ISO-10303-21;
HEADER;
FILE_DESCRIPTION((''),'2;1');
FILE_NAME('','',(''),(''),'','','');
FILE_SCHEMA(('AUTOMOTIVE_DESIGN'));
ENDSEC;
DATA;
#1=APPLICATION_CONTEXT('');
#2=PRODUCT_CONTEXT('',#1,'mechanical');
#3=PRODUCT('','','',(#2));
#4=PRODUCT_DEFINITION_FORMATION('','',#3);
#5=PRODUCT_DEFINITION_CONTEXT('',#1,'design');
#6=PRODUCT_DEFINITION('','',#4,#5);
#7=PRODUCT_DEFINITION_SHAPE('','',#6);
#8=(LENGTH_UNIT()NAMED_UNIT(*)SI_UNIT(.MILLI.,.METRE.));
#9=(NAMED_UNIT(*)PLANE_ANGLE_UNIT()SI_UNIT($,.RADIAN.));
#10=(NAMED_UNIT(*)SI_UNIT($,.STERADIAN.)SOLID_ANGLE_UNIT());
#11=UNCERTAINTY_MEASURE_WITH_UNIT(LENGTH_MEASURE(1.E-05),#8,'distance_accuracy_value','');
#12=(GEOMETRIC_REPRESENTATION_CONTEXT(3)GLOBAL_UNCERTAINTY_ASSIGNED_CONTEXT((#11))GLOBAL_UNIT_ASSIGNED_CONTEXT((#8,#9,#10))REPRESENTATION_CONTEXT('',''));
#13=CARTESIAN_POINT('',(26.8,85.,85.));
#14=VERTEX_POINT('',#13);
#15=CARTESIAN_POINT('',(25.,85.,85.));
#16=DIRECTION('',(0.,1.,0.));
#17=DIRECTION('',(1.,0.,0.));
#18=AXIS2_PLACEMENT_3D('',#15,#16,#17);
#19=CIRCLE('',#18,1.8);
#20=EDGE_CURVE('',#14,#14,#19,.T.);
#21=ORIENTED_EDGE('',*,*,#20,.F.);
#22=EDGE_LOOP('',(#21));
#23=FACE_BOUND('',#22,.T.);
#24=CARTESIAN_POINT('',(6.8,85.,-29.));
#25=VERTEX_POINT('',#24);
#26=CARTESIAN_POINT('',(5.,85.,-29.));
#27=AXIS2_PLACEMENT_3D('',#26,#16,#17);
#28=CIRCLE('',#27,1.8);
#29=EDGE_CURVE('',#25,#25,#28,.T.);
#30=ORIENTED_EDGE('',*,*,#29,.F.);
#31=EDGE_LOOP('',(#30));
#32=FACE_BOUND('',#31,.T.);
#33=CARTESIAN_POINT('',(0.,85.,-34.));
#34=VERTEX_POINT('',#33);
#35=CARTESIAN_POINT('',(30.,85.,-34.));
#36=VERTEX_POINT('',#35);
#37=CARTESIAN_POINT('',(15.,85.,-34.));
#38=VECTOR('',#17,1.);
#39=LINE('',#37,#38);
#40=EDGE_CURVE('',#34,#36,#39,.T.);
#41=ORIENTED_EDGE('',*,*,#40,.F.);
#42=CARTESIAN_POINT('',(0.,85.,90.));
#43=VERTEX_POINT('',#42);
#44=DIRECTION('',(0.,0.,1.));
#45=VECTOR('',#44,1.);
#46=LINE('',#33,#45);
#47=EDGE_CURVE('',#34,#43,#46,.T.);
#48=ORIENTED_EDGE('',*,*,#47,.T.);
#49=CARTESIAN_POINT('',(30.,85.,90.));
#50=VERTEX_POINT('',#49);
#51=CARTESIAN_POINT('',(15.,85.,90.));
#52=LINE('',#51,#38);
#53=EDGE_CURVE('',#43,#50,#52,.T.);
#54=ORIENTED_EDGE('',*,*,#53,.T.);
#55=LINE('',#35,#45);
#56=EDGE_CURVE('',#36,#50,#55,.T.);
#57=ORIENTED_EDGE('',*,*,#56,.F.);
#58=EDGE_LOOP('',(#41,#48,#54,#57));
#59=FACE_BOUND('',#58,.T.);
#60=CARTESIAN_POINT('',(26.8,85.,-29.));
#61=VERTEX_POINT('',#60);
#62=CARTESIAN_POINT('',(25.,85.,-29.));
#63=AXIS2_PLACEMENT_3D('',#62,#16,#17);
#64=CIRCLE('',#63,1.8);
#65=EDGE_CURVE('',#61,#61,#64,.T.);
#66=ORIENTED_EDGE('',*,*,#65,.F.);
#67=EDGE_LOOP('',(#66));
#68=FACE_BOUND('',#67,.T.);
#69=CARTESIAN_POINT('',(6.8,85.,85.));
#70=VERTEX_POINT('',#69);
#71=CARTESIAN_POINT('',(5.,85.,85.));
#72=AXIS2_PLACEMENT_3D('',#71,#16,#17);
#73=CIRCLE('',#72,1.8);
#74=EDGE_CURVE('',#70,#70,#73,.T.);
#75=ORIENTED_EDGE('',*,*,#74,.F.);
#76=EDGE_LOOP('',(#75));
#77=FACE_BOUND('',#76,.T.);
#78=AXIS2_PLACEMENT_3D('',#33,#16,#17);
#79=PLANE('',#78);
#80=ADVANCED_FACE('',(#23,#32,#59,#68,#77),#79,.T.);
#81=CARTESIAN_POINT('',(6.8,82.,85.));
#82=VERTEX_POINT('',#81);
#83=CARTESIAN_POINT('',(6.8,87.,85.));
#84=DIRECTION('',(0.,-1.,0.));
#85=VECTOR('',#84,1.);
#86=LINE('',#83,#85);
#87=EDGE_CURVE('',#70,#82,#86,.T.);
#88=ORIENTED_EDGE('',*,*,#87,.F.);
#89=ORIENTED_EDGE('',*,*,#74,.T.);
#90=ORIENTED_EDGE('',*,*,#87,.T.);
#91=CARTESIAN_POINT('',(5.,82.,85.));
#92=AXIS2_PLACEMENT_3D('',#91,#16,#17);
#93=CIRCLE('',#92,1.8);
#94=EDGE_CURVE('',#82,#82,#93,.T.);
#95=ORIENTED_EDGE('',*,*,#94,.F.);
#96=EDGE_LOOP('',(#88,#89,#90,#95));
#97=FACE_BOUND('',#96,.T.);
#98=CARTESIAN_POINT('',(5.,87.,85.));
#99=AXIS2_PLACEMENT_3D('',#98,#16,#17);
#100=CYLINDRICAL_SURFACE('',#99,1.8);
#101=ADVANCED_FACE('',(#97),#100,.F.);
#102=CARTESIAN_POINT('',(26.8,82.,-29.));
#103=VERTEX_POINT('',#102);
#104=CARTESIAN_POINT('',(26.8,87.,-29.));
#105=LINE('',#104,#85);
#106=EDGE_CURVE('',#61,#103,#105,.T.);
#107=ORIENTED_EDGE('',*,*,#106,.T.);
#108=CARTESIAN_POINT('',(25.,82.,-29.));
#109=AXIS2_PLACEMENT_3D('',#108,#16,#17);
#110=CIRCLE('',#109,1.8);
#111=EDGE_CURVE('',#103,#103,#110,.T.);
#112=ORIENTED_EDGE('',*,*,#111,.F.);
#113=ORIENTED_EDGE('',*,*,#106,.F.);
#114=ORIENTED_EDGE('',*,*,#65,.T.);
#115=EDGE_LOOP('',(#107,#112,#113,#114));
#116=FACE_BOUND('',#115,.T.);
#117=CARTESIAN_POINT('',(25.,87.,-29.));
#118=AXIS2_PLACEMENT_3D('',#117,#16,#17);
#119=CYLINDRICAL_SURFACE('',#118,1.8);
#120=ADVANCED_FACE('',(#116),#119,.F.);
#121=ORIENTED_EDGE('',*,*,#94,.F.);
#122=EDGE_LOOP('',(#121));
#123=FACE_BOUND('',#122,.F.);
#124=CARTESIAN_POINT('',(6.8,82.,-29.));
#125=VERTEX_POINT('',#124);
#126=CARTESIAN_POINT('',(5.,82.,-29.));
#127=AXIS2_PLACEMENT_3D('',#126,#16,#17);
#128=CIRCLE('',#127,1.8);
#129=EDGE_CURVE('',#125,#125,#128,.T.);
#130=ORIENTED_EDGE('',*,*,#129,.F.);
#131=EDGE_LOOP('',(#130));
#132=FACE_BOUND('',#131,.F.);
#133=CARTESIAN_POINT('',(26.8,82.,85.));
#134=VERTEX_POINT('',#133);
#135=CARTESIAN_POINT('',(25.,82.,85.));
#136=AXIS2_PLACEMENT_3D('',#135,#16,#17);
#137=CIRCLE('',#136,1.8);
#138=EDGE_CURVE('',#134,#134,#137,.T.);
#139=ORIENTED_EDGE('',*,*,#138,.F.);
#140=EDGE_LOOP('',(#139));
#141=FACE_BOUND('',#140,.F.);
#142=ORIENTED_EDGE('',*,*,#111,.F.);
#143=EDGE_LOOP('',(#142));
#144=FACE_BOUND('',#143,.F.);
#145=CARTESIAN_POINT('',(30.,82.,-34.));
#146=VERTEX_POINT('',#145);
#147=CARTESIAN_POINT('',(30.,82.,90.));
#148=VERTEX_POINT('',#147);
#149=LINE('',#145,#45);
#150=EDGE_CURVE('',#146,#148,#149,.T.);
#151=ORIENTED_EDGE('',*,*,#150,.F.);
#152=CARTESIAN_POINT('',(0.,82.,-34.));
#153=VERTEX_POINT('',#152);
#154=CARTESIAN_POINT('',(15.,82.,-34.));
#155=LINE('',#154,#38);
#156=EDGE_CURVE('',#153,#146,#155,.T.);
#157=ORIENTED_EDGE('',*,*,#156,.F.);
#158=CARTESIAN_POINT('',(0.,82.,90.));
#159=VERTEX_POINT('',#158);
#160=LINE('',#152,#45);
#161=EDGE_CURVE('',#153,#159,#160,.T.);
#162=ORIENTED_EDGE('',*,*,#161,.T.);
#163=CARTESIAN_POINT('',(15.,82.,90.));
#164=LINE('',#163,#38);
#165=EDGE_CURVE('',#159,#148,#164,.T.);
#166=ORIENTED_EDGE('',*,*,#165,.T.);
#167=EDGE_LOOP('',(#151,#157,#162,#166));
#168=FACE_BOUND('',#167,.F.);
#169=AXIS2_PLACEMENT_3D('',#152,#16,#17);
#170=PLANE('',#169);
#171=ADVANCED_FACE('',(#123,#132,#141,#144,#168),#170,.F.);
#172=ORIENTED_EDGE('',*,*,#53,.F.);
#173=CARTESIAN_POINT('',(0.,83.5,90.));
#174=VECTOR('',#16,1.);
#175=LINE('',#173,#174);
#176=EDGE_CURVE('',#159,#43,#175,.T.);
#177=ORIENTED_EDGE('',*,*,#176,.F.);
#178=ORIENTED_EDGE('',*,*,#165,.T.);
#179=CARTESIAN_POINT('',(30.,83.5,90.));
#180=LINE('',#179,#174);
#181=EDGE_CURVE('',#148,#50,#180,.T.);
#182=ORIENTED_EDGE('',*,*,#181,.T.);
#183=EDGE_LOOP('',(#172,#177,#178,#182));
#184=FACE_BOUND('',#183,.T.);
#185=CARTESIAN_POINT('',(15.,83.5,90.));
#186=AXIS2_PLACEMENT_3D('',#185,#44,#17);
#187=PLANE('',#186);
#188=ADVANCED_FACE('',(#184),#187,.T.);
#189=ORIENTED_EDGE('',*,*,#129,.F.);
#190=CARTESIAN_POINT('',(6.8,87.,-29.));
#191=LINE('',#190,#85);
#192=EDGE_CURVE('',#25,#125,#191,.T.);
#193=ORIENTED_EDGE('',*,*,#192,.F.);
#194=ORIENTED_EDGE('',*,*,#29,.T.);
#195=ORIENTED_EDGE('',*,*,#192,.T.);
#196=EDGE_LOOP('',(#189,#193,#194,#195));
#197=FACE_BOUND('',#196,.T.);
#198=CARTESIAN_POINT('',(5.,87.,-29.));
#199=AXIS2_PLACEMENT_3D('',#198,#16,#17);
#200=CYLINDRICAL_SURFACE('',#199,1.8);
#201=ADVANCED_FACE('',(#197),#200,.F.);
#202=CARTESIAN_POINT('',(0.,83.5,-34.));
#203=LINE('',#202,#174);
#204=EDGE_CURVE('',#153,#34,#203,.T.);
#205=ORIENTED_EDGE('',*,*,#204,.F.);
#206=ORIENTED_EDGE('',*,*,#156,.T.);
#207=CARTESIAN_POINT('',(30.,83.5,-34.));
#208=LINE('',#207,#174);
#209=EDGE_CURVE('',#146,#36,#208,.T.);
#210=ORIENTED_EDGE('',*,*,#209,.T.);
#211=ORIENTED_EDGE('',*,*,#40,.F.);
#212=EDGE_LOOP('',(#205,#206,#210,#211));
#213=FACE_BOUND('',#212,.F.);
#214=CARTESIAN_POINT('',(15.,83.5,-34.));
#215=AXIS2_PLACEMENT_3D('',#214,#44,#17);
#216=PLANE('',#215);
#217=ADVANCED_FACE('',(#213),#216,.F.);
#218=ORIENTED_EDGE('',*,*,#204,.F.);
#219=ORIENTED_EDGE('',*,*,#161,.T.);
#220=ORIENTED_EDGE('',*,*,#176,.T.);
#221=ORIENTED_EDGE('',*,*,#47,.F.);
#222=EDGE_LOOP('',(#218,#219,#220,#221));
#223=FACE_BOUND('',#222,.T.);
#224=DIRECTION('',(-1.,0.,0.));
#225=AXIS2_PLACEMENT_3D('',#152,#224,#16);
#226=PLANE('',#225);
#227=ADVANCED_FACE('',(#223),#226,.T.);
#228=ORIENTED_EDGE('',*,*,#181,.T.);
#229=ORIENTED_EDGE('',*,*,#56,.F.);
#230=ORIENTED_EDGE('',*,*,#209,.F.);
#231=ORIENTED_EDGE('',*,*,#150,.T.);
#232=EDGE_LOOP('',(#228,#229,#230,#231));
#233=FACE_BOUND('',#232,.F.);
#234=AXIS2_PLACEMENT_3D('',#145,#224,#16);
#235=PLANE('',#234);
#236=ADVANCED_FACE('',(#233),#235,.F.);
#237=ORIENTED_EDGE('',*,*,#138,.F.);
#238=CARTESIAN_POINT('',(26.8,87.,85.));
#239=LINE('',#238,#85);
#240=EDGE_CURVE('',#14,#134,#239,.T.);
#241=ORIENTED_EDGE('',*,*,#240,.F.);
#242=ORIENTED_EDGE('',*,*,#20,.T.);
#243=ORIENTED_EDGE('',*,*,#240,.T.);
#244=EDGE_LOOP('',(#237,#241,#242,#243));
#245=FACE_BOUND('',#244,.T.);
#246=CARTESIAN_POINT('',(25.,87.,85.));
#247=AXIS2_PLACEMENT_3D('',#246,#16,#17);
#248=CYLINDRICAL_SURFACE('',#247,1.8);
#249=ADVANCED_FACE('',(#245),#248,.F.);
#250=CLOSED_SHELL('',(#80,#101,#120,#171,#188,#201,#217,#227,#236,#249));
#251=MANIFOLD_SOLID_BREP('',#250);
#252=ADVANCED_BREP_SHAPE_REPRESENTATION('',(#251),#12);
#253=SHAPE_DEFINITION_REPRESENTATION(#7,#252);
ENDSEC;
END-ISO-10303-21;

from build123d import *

# Parameters (mm, degrees)
CYLINDER038_R       = 1.8
CYLINDER038_DEPTH   = 10
ARRAY001019_X_COUNT = 2
ARRAY001019_X_PITCH = 20
ARRAY001019_Z_COUNT = 2
ARRAY001019_Z_PITCH = 114
BOX018_W            = 30
BOX018_H            = 3
BOX018_DEPTH        = 124


with BuildPart() as side_connector_hole_array:
    # Cylinder038 → Cylinder038 (new body)
    with BuildSketch(Plane.XZ):
        Circle(CYLINDER038_R)
    extrude(amount=CYLINDER038_DEPTH)

    # Array001019 X: side connector hole array ×2


with BuildPart() as side_connector_hole_array_1:
    add(side_connector_hole_array.part)
    with Locations(*[(i * ARRAY001019_X_PITCH, 0, 0) for i in range(1, ARRAY001019_X_COUNT)]):
        add(side_connector_hole_array.part)

    # Array001019 Z: side connector hole array ×2


with BuildPart() as side_connector_hole_array_2:
    add(side_connector_hole_array_1.part)
    with Locations(*[(0, 0, i * ARRAY001019_Z_PITCH) for i in range(1, ARRAY001019_Z_COUNT)]):
        add(side_connector_hole_array_1.part)


with BuildPart() as side_connector_hole_array_3:
    # Array001019 placement: moved
    add(side_connector_hole_array_2.part.moved(Location((5, 5, 5))))


with BuildPart() as vertical_side_connector_clone001:
    # Box018 → Box018 (new body)
    with BuildSketch(Plane.XY):
        with Locations((15, 1.5)):
            Rectangle(BOX018_W, BOX018_H)
    extrude(amount=BOX018_DEPTH)

    # Cut014: cut side connector hole array
    add(side_connector_hole_array_3.part, mode=Mode.SUBTRACT)


with BuildPart() as vertical_side_connector_clone001_1:
    # Compound001 placement: moved
    add(vertical_side_connector_clone001.part.moved(Location((0, -5, -36))))


with BuildPart() as vertical_side_connector_clone001_2:
    # Clone005 placement: moved
    add(vertical_side_connector_clone001_1.part.moved(Location((0, 0, 2))))


with BuildPart() as vertical_side_connector_clone001_3:
    # Body005 placement: moved
    add(vertical_side_connector_clone001_2.part.moved(Location((0, 87, 0))))


solid = vertical_side_connector_clone001_3.part
